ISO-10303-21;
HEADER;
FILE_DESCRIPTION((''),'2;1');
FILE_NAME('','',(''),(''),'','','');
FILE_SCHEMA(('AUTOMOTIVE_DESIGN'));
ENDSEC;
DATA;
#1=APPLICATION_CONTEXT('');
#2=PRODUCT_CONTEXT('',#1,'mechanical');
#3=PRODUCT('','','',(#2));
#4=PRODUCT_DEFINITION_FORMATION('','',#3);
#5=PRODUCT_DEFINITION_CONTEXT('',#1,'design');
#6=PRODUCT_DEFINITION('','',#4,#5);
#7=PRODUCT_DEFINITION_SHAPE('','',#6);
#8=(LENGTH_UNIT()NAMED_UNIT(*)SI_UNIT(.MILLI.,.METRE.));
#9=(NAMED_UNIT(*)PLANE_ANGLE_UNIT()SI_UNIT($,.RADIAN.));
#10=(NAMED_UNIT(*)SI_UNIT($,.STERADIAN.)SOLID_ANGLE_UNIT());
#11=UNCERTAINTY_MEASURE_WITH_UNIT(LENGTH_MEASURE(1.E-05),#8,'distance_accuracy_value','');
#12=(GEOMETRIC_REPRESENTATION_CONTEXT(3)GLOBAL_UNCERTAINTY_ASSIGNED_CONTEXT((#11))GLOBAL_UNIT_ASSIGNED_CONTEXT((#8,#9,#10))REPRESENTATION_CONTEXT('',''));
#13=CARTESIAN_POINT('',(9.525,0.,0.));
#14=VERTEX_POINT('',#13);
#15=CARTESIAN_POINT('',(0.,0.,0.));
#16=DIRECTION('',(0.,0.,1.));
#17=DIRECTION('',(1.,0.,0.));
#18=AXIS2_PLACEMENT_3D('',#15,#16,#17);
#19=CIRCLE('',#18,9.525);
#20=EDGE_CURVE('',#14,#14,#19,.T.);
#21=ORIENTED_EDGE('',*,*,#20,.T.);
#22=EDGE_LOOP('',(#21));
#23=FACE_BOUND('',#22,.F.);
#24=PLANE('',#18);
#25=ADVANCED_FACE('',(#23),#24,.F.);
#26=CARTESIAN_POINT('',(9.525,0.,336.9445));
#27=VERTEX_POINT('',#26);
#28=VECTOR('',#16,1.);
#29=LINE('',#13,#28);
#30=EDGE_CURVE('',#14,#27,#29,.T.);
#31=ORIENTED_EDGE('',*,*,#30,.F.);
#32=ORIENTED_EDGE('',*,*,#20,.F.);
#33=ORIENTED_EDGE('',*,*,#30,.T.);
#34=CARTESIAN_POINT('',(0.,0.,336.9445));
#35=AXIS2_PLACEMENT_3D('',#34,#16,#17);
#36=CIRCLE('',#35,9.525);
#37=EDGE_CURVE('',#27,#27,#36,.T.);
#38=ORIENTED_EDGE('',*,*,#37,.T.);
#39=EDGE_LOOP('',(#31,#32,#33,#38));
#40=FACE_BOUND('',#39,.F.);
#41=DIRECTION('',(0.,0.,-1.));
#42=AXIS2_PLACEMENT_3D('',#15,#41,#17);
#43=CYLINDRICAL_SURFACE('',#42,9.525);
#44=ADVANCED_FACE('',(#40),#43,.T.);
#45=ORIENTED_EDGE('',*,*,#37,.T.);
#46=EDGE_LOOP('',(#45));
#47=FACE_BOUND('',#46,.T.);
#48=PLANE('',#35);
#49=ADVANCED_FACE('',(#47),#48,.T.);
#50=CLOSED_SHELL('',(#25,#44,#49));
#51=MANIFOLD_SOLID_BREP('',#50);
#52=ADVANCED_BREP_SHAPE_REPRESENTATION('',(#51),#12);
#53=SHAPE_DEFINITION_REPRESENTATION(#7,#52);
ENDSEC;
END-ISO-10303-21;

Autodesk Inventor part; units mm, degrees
ref_plane "YZ Plane" through (0, 0, 0) normal (1, 0, 0) x (0, 1, 0)
ref_plane "Start Plane" through (0, 0, 0) normal (0, 0, 1) x (1, 0, 0)
ref_plane "End Plane" through (0, 0, 336.9445) normal (0, 0, 1) x (1, 0, 0)
sketch "Sketch" plane through (0, 0, 0) normal (0, 0, 1) x (1, 0, 0)
  circle A0 centre (0, 0) radius 9.525
  dimension "d0" = 19.05
extrude "Body" add sketch "Sketch" along normal up to surface (336.9445 mm away) from surface at 0
sketch "Sketch2" plane through (0, 0, 0) normal (0, 0, 1) x (1, 0, 0)
  line L0 (0, 0) -> (10, 0)
ref_plane "Work Plane3" through (0, 0, 0) normal (0, -1, 0) x (1, 0, 0)
sketch "Sketch3" plane through (0, 0, 0) normal (0, -1, 0) x (1, 0, 0)
  line L0 (-2, 0) -> (12, 0) projected
  line L1 (-2, 336.9445) -> (12, 336.9445) projected
  dimension "d7" = 336.9445
equation "\"d0\" = Diam"
equation "\"d1\" = G_L"
equation "\"Diam\" = 19.05"
equation "\"G_L\" = d7"
equation "\"G_OFFSET_START\" = 0"
equation "\"G_OFFSET_END\" = 0"
equation "\"d5\" = G_OFFSET_END + B_L"
equation "\"B_L\" = 336.94447"
properties part number "ANSI/AISC Rolled Steel - 3/4-13.266, RB" material "Steel, Mild"
